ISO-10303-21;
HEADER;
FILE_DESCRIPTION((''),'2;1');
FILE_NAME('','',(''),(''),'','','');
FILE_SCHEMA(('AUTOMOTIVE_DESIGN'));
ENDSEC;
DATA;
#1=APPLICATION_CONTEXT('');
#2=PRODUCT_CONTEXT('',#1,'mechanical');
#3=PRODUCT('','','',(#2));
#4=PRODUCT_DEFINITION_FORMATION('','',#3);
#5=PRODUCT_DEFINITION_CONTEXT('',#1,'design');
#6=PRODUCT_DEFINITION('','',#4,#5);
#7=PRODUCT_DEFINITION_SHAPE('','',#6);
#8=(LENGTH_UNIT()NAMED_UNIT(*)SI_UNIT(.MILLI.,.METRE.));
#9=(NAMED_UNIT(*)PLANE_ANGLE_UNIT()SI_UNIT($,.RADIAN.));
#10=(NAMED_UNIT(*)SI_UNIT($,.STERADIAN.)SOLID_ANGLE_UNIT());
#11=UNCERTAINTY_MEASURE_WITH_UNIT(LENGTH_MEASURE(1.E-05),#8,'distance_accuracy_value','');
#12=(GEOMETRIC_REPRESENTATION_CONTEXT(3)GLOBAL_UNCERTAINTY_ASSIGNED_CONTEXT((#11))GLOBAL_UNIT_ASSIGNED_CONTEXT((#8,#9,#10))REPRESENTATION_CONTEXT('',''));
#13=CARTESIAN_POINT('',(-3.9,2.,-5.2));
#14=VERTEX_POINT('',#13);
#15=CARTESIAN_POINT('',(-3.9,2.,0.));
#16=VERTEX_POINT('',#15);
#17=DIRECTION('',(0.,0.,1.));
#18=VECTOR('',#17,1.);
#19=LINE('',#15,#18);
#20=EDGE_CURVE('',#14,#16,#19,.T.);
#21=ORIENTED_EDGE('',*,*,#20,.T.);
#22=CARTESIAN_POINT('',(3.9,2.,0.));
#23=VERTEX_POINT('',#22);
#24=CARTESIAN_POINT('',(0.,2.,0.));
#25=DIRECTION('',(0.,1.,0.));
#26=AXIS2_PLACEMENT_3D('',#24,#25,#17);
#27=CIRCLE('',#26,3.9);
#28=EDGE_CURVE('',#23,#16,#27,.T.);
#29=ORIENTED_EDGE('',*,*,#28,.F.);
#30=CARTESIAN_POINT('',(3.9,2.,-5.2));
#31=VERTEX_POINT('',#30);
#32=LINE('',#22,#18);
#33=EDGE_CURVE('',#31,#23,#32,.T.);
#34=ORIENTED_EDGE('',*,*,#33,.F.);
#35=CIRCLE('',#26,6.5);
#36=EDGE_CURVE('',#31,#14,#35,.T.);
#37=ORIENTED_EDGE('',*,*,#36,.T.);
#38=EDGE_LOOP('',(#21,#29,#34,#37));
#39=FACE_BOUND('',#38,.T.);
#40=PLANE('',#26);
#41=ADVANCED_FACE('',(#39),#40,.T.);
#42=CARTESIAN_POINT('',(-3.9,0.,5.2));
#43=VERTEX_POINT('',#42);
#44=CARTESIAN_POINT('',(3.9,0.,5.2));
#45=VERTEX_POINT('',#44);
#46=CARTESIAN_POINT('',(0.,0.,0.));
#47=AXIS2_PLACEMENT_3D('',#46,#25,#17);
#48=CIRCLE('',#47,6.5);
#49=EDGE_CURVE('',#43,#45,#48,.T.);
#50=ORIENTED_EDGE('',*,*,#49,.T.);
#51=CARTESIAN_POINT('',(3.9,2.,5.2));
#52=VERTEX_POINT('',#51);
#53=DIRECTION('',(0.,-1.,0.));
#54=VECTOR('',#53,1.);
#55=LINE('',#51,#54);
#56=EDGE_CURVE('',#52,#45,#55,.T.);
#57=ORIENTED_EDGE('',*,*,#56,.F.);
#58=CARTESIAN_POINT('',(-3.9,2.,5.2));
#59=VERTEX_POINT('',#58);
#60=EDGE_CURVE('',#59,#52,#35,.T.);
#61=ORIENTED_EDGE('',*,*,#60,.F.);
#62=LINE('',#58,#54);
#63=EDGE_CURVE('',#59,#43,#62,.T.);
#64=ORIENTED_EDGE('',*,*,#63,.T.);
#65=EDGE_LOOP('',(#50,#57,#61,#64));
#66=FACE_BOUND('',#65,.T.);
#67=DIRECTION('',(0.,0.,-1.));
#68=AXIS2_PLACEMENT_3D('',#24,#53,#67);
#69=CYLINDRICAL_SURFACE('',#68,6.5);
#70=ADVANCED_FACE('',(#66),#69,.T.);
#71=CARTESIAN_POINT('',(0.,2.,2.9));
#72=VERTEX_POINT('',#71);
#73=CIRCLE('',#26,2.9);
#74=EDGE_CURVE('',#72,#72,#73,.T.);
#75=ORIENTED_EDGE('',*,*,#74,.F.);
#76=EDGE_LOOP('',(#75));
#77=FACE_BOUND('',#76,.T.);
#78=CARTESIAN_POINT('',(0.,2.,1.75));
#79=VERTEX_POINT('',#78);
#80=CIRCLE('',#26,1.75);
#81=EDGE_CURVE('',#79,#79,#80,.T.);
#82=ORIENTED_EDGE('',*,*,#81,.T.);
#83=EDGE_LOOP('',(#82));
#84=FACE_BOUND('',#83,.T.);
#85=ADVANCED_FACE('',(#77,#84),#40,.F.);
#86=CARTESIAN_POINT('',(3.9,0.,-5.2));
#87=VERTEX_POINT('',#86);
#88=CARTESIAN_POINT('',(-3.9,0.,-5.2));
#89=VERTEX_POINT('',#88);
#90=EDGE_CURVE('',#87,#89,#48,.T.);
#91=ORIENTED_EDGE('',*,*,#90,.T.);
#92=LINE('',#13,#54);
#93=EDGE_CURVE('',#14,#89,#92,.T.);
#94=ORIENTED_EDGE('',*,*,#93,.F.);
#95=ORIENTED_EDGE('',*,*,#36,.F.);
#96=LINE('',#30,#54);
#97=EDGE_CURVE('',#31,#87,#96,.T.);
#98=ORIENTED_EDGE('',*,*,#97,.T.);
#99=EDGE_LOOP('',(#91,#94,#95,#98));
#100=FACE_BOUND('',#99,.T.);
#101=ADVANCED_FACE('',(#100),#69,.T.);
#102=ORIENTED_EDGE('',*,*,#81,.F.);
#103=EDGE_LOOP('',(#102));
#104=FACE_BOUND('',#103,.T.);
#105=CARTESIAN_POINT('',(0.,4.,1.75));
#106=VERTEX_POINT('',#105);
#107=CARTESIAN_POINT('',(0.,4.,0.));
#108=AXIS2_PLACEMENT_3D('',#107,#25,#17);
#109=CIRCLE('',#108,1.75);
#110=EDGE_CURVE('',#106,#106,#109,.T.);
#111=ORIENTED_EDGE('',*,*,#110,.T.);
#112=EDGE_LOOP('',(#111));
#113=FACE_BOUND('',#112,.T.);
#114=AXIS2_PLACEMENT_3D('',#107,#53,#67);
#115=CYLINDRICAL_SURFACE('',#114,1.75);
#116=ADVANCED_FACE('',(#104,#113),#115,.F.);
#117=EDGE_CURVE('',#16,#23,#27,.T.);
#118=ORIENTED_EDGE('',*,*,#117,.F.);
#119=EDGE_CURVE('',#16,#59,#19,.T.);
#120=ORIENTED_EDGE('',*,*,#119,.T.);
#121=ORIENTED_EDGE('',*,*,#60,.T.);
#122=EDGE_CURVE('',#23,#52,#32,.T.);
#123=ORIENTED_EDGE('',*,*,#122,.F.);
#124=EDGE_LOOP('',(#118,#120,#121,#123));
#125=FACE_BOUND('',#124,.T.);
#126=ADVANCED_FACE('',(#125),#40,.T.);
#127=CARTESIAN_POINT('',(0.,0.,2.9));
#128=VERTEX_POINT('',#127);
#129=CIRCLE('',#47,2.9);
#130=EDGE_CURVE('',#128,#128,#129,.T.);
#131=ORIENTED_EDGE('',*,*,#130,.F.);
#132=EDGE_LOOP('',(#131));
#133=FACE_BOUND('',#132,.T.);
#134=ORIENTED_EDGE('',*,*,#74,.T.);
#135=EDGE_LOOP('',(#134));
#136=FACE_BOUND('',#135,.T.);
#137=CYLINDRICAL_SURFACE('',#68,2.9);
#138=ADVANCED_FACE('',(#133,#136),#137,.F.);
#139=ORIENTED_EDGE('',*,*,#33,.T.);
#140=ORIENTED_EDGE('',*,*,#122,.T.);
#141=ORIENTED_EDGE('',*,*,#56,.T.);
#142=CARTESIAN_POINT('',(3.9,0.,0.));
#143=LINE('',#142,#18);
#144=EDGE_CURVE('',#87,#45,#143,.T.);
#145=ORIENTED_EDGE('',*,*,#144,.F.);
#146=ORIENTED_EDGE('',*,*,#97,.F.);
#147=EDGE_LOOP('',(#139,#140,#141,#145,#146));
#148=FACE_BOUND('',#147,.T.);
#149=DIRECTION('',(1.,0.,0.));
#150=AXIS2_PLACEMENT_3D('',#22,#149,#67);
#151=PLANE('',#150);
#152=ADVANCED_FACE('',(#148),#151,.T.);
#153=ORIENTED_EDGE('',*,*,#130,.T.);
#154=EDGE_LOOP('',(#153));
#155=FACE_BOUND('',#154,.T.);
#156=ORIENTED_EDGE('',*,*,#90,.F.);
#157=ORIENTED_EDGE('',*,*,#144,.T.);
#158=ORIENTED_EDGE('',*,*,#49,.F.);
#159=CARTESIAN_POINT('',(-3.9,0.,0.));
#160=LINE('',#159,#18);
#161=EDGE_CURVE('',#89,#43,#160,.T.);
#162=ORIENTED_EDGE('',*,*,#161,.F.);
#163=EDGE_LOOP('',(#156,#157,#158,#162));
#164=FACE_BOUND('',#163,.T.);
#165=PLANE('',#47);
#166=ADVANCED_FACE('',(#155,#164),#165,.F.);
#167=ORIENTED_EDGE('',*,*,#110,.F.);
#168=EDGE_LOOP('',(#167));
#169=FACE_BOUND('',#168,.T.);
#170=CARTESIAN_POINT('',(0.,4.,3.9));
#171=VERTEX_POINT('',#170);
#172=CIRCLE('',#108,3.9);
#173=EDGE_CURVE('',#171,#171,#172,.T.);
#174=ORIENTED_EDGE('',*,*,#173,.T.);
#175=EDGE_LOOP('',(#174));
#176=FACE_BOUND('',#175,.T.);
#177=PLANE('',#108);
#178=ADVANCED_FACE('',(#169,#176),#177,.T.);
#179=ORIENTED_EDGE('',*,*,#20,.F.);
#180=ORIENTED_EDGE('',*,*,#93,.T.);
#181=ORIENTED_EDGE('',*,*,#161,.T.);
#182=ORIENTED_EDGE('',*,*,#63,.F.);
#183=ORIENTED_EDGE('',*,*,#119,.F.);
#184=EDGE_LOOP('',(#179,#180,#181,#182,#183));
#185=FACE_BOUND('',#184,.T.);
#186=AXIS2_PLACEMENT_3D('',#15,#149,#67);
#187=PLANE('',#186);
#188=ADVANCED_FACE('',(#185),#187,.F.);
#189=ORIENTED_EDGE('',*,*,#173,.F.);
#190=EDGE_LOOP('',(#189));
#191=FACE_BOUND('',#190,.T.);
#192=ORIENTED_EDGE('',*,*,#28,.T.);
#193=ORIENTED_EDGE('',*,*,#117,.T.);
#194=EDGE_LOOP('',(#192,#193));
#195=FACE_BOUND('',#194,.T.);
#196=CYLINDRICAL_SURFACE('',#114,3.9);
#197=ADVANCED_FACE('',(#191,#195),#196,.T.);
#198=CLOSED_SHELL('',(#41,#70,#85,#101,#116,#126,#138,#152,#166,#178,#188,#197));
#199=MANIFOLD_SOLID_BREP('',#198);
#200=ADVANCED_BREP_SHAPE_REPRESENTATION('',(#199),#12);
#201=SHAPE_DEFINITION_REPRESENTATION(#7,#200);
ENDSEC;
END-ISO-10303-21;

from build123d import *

# Parameters (mm, degrees)
SKETCH2_R           = 2.9
BOSS_EXTRUDE1_DEPTH = 2
SKETCH3_R           = 3.9
SKETCH3_R_2         = 2.9
SKETCH3_R_3         = 1.75
BOSS_EXTRUDE2_DEPTH = 2


with BuildPart() as part:
    # Sketch2 → Boss-Extrude1 (new body)
    with BuildSketch(Plane(origin=(0, 0, 0), x_dir=(1, 0, 0), z_dir=(0, 1, 0))):
        with BuildLine():
            ThreePointArc((3.9, 5.2), (0, 6.5), (-3.9, 5.2))
            Line((-3.9, 5.2), (-3.9, -5.2))
            ThreePointArc((-3.9, -5.2), (0, -6.5), (3.9, -5.2))
            Line((3.9, -5.2), (3.9, 5.2))
        make_face()
        Circle(SKETCH2_R, mode=Mode.SUBTRACT)
    extrude(amount=BOSS_EXTRUDE1_DEPTH)

    # Sketch3 → Boss-Extrude2 (add)
    with BuildSketch(Plane(origin=(0, 2, 0), x_dir=(1, 0, 0), z_dir=(0, 1, 0))):
        Circle(SKETCH3_R)
        Circle(SKETCH3_R_2, mode=Mode.SUBTRACT)
        Circle(SKETCH3_R_2)
        Circle(SKETCH3_R_3, mode=Mode.SUBTRACT)
    extrude(amount=BOSS_EXTRUDE2_DEPTH)


solid = part.part
